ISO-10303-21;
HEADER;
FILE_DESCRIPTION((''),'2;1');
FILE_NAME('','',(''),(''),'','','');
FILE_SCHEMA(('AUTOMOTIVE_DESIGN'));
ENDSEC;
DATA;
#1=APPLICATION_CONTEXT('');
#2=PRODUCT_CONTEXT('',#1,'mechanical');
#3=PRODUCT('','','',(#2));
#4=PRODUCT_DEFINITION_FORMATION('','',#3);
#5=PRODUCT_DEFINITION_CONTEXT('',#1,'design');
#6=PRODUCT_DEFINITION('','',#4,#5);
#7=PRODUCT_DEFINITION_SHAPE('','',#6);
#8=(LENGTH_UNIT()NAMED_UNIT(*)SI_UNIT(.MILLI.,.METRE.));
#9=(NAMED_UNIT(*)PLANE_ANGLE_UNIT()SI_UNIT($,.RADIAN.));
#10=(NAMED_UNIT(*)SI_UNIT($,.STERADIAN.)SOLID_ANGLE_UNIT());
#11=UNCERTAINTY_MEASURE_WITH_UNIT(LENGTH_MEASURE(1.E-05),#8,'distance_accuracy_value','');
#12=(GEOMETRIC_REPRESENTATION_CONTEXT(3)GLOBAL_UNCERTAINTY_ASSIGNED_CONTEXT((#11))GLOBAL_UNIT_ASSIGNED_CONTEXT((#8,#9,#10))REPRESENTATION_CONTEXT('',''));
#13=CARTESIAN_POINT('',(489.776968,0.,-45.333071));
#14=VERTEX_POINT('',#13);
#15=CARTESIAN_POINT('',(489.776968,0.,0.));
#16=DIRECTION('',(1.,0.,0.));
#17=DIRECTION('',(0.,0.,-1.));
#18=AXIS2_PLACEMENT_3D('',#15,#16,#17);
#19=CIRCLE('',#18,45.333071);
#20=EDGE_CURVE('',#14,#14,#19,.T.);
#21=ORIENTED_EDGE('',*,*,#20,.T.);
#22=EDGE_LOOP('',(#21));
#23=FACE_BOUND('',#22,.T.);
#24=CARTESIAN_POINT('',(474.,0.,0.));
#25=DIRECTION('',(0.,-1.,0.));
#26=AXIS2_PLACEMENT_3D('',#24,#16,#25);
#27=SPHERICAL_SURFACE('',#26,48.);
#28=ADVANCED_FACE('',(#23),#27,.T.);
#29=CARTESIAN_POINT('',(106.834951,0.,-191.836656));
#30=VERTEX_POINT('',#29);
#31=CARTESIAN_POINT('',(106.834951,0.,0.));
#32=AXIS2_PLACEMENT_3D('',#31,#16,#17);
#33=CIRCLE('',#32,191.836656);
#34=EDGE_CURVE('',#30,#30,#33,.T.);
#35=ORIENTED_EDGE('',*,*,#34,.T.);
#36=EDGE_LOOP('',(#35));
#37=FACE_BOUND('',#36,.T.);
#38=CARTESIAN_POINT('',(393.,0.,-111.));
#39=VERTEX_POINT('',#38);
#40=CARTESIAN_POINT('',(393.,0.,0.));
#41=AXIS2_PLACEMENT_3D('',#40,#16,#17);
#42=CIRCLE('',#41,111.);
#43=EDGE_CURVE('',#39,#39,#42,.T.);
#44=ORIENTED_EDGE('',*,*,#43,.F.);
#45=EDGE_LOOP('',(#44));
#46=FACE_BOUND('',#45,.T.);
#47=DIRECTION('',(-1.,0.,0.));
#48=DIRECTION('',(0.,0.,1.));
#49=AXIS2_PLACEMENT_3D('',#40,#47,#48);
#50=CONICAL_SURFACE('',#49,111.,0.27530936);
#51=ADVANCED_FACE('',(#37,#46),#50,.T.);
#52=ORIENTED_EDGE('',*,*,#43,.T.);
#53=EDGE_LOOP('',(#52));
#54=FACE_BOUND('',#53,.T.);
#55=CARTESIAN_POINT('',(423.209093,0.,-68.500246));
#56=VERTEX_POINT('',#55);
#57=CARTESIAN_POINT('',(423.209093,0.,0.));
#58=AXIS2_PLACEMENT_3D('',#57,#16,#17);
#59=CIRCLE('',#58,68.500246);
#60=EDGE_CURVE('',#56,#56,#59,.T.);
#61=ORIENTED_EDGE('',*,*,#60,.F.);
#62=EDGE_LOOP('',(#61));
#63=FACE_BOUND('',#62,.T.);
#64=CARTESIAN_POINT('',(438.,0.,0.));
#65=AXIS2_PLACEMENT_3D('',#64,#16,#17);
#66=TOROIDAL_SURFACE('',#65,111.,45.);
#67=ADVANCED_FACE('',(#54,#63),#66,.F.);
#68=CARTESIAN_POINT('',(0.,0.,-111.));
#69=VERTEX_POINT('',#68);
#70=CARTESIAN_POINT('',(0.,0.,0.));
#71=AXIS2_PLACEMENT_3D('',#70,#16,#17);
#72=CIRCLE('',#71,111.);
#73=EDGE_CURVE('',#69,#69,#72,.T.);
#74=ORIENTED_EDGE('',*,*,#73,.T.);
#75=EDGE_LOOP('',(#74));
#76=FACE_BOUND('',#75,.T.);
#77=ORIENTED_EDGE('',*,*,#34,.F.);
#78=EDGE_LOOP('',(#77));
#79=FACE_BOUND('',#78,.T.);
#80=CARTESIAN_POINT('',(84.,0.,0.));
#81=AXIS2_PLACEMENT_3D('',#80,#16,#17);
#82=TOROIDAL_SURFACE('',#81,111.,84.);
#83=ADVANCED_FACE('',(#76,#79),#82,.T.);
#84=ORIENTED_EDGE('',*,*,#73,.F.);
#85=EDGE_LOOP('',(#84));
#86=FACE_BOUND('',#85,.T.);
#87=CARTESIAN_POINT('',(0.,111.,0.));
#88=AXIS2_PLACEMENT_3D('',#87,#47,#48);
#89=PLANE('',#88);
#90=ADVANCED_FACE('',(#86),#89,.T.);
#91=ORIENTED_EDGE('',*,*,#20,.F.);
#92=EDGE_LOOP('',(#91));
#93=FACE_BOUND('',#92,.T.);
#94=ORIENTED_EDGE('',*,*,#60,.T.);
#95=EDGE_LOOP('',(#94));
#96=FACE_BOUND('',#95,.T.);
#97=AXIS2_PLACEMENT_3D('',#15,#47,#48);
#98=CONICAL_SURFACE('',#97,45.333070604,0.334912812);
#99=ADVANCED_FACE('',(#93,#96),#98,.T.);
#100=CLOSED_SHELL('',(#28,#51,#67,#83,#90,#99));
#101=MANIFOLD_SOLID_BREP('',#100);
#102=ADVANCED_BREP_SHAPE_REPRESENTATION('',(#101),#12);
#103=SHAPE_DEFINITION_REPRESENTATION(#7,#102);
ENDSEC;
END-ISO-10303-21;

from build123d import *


with BuildPart() as part:
    # Croquis1 → Revolución1 (revolve)
    with BuildSketch(Plane.XY):
        with BuildLine():
            Line((0, 111), (0, 0))
            Line((0, 0), (522, 0))
            ThreePointArc((522, 0), (513.123486868, 27.809221049), (489.776967695, 45.333070604))
            Line((489.776967695, 45.333070604), (423.209092786, 68.500246309))
            ThreePointArc((423.209092786, 68.500246309), (401.321731062, 84.928855267), (393, 111))
            Line((393, 111), (106.834951456, 191.83665624))
            ThreePointArc((106.834951456, 191.83665624), (33.315366837, 177.985580248), (0, 111))
        make_face()
    revolve(axis=Axis((0, 0, 0), (1, 0, 0)))


solid = part.part
